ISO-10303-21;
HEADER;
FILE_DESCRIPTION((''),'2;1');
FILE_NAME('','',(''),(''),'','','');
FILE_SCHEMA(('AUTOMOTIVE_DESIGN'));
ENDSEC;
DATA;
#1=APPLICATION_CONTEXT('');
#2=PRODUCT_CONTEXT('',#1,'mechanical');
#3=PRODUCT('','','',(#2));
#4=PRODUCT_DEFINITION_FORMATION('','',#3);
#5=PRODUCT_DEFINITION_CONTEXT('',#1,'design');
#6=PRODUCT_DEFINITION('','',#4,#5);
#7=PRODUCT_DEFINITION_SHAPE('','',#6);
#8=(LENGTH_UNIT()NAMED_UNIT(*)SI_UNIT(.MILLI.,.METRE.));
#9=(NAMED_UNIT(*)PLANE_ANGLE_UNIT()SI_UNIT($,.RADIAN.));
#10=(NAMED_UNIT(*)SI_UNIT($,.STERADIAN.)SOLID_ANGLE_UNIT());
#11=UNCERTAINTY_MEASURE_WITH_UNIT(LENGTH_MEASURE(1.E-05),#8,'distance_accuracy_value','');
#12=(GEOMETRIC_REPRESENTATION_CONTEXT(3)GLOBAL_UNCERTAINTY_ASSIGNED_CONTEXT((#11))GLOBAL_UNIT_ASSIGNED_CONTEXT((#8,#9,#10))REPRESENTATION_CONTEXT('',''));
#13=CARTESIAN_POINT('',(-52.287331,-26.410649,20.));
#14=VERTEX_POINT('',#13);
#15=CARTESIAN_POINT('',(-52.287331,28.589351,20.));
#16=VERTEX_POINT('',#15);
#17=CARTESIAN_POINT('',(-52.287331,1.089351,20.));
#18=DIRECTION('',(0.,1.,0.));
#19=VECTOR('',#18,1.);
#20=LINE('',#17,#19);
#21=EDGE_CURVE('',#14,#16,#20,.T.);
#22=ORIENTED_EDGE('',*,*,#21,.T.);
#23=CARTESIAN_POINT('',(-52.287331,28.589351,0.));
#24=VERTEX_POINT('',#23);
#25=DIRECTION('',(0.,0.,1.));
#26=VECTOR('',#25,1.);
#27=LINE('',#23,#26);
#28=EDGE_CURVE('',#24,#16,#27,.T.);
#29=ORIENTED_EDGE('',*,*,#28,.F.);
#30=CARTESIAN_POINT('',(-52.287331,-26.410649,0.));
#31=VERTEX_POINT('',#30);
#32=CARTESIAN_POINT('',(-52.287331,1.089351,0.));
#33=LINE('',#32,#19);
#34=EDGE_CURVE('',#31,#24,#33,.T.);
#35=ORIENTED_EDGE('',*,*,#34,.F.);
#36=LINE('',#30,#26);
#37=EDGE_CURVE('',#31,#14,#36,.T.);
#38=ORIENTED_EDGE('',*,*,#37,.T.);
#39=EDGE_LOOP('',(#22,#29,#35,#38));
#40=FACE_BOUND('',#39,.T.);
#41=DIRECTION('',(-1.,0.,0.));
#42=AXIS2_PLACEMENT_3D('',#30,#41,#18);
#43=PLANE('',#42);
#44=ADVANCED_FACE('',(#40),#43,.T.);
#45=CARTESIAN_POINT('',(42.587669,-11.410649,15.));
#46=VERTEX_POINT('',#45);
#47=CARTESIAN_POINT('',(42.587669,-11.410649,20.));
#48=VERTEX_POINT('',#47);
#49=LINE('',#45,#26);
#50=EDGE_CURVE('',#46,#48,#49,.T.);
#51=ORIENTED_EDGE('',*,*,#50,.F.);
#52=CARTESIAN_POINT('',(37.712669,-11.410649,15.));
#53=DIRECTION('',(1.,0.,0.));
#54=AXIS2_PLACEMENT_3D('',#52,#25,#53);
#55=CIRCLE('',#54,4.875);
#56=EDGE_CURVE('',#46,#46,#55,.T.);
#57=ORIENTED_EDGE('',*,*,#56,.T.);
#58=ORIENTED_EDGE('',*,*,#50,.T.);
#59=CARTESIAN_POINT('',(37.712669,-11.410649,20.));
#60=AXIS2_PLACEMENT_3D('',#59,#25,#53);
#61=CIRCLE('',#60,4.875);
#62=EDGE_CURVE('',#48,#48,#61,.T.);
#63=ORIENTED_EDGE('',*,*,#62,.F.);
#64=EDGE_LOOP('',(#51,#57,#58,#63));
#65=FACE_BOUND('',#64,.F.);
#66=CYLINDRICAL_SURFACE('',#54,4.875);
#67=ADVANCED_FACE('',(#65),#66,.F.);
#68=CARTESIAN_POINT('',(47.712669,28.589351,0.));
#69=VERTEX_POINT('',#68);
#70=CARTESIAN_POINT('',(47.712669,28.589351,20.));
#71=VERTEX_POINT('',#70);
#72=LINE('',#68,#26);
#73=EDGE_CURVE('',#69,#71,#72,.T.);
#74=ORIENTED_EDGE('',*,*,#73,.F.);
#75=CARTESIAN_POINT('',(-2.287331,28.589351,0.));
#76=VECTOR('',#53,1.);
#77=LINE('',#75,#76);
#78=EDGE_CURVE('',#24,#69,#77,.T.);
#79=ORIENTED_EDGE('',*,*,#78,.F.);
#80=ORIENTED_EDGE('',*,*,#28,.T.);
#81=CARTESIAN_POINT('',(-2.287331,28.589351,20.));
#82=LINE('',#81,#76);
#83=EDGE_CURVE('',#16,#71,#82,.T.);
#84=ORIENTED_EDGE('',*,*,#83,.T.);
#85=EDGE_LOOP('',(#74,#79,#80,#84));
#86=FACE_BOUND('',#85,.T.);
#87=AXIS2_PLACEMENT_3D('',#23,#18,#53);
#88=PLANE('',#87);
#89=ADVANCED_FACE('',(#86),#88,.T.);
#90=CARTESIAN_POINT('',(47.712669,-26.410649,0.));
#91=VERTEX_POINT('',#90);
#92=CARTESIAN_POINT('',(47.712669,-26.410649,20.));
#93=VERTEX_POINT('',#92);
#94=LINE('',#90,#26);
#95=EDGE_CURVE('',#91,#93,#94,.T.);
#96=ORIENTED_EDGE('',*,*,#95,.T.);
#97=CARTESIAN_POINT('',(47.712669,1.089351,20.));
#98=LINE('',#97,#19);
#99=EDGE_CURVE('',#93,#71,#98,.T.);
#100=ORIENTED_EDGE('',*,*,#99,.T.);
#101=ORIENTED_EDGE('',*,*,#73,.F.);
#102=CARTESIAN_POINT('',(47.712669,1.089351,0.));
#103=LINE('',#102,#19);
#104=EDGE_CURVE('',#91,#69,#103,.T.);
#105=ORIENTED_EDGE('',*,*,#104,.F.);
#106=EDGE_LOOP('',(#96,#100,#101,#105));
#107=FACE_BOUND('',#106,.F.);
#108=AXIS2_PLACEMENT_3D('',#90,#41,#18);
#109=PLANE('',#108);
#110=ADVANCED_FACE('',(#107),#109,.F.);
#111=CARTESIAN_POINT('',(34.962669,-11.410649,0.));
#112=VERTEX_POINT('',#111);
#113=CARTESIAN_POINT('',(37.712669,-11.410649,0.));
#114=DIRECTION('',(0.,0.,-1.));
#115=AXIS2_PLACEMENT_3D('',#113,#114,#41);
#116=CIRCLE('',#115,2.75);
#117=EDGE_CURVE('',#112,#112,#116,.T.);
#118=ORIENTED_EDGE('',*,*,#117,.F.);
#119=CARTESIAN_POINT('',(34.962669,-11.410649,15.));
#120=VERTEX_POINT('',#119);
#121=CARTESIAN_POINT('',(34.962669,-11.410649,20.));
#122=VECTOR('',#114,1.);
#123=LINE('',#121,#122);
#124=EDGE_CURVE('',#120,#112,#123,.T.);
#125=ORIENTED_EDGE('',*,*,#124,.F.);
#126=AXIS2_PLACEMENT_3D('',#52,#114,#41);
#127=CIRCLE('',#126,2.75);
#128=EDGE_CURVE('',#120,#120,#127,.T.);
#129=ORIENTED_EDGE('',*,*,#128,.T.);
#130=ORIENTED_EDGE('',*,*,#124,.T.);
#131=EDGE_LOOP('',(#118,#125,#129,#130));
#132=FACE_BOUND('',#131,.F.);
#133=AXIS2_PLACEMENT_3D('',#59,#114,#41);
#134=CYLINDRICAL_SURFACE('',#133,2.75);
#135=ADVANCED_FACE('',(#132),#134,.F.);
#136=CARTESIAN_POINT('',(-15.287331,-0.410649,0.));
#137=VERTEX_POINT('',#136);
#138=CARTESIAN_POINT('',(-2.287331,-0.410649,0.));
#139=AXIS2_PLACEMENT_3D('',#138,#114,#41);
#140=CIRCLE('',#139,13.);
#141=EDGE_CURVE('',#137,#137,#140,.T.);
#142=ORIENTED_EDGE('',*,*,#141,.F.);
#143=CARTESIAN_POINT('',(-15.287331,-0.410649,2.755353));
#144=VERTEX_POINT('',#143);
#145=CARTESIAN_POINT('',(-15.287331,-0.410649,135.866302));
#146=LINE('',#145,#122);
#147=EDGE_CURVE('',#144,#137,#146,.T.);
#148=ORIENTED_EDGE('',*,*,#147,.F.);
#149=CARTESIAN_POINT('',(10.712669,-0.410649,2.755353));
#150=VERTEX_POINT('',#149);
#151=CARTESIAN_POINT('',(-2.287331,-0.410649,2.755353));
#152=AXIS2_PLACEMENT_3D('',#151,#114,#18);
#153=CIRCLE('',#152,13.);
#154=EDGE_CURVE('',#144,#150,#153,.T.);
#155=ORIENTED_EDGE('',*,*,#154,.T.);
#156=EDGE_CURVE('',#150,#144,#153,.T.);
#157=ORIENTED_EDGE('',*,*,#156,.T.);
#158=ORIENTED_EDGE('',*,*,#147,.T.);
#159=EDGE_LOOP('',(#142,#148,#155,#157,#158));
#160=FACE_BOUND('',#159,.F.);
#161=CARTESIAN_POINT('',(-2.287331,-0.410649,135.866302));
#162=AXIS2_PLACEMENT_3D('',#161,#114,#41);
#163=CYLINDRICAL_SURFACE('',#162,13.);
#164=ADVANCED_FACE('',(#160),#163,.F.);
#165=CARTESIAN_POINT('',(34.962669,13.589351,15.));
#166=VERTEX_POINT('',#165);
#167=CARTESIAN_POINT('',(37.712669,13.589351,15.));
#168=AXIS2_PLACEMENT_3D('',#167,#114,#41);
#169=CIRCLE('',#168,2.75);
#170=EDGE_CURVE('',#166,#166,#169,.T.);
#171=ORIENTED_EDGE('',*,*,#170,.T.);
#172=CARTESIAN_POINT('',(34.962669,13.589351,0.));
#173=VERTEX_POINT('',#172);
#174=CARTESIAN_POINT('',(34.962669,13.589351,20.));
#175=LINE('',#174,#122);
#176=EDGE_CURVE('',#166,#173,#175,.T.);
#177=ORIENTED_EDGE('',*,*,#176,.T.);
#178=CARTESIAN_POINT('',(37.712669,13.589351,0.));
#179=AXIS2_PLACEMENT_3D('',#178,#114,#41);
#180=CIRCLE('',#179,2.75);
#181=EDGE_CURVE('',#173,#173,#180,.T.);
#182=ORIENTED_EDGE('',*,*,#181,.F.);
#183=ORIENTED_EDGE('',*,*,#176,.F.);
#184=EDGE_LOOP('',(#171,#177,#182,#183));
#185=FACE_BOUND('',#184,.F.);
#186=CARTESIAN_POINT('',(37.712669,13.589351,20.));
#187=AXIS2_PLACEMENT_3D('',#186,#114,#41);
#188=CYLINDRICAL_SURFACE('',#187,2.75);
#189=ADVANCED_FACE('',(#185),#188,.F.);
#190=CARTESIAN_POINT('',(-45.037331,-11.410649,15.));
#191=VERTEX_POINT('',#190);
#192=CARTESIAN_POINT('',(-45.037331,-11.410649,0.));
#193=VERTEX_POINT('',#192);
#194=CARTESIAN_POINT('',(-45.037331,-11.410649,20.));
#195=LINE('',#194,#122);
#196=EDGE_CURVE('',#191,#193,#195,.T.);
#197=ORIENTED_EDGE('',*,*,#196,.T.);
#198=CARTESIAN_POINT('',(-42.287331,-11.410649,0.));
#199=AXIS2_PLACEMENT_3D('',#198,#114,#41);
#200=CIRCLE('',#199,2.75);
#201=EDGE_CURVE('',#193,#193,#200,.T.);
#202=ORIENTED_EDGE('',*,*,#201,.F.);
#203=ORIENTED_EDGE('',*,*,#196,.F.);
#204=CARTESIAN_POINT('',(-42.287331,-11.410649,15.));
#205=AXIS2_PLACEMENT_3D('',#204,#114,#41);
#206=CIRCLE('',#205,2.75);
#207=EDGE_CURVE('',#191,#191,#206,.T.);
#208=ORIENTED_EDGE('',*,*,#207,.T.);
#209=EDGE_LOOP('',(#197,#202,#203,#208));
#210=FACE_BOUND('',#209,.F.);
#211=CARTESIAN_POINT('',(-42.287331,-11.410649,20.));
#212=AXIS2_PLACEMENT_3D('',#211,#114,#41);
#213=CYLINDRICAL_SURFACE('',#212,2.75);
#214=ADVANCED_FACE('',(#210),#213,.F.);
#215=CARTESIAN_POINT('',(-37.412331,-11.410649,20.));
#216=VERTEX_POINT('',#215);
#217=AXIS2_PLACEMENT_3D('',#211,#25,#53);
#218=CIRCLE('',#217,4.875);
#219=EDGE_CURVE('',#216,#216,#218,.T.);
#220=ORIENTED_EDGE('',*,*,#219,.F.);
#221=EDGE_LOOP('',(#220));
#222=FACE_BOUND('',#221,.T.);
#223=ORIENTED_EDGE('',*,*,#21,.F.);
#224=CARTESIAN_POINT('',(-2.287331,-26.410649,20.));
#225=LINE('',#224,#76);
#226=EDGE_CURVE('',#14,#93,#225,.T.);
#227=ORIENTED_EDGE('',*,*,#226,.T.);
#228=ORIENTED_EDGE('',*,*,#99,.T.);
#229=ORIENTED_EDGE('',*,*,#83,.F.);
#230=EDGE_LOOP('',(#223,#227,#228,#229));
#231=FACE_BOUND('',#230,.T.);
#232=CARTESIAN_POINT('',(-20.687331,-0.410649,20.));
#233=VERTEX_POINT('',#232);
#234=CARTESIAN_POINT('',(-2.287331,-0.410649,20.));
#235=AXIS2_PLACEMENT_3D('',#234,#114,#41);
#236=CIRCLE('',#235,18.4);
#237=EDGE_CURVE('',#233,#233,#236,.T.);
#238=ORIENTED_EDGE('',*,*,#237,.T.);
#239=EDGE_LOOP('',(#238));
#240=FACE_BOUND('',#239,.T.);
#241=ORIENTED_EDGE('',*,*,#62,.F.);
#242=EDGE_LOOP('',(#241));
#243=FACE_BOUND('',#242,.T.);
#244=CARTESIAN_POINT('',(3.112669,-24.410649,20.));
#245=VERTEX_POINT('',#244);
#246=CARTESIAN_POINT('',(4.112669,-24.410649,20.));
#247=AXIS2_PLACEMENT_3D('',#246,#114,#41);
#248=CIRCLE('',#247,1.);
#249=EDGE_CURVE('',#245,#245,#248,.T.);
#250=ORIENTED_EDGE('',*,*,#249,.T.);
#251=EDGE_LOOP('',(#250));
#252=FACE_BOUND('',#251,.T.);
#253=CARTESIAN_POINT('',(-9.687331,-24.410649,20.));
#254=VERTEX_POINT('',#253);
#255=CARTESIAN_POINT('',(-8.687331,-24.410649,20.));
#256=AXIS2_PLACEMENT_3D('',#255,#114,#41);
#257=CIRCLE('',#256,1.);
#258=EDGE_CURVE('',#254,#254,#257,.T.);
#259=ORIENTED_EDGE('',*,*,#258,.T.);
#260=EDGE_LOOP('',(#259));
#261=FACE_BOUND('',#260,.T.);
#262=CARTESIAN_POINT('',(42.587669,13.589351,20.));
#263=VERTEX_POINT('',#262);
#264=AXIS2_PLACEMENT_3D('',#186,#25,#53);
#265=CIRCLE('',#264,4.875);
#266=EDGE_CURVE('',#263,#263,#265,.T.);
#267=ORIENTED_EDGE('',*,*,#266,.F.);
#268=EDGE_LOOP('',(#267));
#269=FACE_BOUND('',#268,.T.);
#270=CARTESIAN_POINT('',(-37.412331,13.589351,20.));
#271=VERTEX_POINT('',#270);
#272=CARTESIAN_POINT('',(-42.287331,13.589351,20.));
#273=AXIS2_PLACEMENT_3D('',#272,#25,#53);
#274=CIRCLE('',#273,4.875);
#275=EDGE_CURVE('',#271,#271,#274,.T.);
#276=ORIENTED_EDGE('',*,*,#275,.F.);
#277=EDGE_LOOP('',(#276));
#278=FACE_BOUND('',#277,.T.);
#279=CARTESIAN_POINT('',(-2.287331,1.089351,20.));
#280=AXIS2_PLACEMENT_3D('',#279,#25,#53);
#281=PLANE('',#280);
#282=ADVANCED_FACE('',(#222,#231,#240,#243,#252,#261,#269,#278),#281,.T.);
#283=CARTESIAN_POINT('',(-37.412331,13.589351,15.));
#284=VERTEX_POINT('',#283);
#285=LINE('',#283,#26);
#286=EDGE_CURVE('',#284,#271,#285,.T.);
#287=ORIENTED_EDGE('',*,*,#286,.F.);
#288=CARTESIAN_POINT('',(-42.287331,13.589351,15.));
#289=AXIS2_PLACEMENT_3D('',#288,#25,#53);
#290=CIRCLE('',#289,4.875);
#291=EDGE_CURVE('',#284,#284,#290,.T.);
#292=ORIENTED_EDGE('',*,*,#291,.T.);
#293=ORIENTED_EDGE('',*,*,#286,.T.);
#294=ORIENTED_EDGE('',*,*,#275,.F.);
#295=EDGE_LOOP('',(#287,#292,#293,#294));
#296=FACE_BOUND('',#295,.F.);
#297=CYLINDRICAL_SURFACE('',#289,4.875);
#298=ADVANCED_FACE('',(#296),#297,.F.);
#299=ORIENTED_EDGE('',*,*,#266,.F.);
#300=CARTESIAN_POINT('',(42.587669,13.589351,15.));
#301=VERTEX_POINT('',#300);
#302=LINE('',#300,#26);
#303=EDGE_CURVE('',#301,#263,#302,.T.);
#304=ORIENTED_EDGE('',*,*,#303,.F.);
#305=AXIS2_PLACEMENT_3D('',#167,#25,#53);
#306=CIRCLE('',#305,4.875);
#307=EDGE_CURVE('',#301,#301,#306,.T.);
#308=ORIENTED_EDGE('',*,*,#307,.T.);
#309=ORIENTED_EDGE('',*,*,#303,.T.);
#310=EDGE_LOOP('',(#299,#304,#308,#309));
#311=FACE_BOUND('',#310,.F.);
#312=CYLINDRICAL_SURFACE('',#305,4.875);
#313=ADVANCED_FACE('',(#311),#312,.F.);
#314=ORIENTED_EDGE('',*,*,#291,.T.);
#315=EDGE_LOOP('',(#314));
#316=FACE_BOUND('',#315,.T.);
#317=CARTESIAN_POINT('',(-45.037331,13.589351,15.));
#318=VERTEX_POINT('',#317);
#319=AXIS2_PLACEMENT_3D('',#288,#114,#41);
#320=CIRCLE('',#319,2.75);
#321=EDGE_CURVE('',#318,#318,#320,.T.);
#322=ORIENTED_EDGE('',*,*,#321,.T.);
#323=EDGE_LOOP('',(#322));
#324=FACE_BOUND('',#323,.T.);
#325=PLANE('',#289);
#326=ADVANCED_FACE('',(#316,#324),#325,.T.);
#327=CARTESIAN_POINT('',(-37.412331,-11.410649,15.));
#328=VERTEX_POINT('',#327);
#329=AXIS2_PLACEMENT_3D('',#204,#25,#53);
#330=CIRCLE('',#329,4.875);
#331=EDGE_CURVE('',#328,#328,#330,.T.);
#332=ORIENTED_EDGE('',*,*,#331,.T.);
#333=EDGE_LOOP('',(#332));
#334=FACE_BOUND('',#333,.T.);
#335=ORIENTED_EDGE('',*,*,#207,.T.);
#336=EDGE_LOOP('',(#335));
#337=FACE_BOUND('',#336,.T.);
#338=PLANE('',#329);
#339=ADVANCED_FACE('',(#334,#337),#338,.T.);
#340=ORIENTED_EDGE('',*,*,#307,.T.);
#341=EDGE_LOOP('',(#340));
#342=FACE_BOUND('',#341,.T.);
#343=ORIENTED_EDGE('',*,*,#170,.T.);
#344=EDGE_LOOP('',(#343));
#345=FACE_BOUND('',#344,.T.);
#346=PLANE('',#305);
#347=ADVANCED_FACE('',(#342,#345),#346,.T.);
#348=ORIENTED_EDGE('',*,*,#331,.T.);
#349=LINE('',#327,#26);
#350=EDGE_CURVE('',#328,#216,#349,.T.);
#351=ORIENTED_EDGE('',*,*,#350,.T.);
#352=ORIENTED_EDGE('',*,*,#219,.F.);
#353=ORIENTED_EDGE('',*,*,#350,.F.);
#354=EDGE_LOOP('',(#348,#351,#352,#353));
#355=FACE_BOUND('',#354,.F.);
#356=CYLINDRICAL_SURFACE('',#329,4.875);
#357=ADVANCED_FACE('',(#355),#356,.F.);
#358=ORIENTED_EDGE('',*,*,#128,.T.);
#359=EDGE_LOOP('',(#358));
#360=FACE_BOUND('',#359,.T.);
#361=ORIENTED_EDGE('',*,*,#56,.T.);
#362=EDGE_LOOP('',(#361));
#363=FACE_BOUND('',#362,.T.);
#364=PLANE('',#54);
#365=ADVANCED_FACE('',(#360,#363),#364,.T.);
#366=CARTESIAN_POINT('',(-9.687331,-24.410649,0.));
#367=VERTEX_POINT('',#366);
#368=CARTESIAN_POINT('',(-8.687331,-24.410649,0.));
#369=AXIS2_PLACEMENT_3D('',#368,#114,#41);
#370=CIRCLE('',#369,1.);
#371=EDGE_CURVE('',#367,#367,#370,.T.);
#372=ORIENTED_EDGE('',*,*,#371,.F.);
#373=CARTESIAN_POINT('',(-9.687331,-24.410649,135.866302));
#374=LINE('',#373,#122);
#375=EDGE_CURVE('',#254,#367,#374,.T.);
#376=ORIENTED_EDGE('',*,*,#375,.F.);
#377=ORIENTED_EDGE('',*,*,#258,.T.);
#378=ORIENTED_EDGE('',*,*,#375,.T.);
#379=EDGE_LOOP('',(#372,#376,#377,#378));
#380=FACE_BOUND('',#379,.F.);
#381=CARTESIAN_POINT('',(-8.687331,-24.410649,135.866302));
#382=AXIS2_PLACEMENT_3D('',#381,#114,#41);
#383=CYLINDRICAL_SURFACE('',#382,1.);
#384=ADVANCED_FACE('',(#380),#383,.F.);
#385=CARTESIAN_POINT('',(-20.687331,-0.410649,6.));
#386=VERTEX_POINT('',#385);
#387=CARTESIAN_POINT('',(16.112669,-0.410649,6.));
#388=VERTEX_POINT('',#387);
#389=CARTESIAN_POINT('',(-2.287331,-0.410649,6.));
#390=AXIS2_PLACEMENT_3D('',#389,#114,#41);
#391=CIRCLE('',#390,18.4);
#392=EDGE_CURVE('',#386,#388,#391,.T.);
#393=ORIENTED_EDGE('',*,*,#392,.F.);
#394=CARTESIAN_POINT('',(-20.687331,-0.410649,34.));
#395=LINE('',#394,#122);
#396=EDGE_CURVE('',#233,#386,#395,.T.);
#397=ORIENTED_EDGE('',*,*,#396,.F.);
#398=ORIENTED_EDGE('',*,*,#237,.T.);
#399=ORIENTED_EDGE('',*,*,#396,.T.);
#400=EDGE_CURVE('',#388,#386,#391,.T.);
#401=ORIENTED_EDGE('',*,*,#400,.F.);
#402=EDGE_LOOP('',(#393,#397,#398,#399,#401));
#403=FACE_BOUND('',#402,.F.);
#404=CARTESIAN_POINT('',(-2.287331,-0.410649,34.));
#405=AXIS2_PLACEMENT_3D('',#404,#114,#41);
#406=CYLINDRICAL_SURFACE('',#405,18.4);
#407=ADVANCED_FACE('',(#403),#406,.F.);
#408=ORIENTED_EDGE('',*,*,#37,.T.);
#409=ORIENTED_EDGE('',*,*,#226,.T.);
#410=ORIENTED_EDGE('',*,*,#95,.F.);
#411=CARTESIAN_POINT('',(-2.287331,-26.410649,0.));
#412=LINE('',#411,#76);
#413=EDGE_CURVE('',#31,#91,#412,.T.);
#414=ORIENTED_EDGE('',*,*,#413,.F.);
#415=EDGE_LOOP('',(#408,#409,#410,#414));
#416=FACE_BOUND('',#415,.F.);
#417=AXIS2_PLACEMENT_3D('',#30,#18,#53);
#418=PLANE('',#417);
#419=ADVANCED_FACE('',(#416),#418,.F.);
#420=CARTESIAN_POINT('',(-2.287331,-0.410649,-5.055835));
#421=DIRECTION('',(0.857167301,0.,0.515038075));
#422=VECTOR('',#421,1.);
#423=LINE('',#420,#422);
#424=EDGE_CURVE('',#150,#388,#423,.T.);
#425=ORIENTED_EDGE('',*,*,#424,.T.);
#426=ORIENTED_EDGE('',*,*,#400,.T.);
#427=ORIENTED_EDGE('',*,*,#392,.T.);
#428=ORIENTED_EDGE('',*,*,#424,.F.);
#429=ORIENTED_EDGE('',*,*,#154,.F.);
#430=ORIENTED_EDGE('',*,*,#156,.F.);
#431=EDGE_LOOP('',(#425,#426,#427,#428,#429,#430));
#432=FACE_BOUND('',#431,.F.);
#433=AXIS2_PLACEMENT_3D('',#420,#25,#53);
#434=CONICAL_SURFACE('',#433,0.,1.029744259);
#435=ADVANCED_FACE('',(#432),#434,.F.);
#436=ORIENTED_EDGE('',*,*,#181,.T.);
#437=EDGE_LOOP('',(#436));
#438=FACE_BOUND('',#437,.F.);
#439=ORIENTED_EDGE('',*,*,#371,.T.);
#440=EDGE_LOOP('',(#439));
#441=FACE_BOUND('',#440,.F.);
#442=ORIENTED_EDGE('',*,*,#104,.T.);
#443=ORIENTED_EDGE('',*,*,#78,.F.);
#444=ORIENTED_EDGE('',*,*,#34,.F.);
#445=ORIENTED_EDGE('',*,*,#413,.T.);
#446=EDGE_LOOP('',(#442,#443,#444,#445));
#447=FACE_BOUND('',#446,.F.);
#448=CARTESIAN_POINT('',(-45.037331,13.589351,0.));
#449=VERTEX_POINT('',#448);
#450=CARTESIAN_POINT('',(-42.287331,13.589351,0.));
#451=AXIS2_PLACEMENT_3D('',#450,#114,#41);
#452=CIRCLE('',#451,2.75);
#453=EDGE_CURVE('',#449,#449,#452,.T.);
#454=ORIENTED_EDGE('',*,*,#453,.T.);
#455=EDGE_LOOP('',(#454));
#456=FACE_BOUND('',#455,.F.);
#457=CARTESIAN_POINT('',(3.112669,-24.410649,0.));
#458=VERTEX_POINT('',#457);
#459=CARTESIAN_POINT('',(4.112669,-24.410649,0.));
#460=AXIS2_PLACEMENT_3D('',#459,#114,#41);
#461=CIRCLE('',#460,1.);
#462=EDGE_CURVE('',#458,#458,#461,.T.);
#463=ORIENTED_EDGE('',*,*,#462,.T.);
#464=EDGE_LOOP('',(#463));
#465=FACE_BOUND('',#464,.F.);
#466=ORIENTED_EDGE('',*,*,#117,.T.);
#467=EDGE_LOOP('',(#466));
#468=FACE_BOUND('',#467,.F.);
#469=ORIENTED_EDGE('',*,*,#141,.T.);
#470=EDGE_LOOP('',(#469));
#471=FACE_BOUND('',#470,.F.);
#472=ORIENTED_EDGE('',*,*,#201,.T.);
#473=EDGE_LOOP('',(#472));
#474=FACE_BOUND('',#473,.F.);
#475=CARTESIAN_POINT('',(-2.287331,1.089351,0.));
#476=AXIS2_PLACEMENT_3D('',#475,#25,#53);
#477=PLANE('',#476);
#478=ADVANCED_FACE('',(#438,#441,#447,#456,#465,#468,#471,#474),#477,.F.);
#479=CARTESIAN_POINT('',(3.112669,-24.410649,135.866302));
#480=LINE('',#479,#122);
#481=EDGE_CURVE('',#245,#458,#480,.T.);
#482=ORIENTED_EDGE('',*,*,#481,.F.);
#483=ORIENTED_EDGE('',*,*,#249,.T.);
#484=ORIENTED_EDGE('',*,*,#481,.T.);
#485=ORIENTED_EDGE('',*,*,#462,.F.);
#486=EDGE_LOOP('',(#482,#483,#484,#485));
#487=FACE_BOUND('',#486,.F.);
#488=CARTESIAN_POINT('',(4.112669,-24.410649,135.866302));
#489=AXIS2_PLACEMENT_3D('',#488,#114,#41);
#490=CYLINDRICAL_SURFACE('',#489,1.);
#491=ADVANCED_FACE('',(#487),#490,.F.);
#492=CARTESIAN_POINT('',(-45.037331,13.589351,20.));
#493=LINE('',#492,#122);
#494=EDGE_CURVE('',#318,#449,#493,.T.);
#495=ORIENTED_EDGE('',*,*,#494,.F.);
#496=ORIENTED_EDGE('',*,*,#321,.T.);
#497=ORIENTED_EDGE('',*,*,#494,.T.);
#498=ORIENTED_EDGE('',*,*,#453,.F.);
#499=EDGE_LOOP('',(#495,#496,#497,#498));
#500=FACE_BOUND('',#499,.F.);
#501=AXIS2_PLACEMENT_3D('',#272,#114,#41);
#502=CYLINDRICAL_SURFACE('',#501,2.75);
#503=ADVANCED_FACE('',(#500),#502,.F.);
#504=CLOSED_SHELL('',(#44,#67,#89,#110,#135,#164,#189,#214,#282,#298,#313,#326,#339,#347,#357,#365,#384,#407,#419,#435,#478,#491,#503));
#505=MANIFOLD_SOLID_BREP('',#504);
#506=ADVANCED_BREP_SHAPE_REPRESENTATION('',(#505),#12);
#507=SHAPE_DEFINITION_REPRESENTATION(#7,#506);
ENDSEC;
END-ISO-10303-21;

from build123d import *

# Parameters (mm, degrees)
F0_W           = 100
F0_H           = 55
F1_DEPTH       = 20
F3_D           = 26
F4_D           = 36.8
F4_DEPTH       = 14
F4_TIP         = 11.0558353901
F6_D           = 2
F8_D           = 5.5
F8_CBORE_D     = 9.75
F8_CBORE_DEPTH = 5


with BuildPart() as f1:
    # F0 (on Top) → F1 (new body)
    with BuildSketch(Plane.XY):
        with Locations((-2.2873312235, 1.0893514007)):
            Rectangle(F0_W, F0_H)
    extrude(amount=F1_DEPTH)

    # F3 (through all)
    with Locations(Plane.XY.offset(20)):
        with Locations((-2.2873312235, -0.4106485993)):
            Hole(F3_D / 2)

    # F4
    with Locations(Plane.XY.offset(20)):
        with Locations((-2.2873312235, -0.4106485993)):
            Hole(F4_D / 2, depth=F4_DEPTH)
            with Locations((0, 0, -(F4_DEPTH + F4_TIP / 2))):  # 118° drill point
                Cone(0, F4_D / 2, F4_TIP, mode=Mode.SUBTRACT)

    # F6 (through all)
    with Locations(Plane.XY.offset(20)):
        with Locations((-8.6873312235, -24.4106485993), (4.1126687765, -24.4106485993)):
            Hole(F6_D / 2)

    # F8 (through all)
    with Locations(Plane.XY.offset(20)):
        with Locations((-42.2873312235, 13.5893514007), (-42.2873312235, -11.4106485993), (37.7126687765, -11.4106485993), (37.7126687765, 13.5893514007)):
            CounterBoreHole(F8_D / 2, F8_CBORE_D / 2, F8_CBORE_DEPTH)


solid = f1.part
